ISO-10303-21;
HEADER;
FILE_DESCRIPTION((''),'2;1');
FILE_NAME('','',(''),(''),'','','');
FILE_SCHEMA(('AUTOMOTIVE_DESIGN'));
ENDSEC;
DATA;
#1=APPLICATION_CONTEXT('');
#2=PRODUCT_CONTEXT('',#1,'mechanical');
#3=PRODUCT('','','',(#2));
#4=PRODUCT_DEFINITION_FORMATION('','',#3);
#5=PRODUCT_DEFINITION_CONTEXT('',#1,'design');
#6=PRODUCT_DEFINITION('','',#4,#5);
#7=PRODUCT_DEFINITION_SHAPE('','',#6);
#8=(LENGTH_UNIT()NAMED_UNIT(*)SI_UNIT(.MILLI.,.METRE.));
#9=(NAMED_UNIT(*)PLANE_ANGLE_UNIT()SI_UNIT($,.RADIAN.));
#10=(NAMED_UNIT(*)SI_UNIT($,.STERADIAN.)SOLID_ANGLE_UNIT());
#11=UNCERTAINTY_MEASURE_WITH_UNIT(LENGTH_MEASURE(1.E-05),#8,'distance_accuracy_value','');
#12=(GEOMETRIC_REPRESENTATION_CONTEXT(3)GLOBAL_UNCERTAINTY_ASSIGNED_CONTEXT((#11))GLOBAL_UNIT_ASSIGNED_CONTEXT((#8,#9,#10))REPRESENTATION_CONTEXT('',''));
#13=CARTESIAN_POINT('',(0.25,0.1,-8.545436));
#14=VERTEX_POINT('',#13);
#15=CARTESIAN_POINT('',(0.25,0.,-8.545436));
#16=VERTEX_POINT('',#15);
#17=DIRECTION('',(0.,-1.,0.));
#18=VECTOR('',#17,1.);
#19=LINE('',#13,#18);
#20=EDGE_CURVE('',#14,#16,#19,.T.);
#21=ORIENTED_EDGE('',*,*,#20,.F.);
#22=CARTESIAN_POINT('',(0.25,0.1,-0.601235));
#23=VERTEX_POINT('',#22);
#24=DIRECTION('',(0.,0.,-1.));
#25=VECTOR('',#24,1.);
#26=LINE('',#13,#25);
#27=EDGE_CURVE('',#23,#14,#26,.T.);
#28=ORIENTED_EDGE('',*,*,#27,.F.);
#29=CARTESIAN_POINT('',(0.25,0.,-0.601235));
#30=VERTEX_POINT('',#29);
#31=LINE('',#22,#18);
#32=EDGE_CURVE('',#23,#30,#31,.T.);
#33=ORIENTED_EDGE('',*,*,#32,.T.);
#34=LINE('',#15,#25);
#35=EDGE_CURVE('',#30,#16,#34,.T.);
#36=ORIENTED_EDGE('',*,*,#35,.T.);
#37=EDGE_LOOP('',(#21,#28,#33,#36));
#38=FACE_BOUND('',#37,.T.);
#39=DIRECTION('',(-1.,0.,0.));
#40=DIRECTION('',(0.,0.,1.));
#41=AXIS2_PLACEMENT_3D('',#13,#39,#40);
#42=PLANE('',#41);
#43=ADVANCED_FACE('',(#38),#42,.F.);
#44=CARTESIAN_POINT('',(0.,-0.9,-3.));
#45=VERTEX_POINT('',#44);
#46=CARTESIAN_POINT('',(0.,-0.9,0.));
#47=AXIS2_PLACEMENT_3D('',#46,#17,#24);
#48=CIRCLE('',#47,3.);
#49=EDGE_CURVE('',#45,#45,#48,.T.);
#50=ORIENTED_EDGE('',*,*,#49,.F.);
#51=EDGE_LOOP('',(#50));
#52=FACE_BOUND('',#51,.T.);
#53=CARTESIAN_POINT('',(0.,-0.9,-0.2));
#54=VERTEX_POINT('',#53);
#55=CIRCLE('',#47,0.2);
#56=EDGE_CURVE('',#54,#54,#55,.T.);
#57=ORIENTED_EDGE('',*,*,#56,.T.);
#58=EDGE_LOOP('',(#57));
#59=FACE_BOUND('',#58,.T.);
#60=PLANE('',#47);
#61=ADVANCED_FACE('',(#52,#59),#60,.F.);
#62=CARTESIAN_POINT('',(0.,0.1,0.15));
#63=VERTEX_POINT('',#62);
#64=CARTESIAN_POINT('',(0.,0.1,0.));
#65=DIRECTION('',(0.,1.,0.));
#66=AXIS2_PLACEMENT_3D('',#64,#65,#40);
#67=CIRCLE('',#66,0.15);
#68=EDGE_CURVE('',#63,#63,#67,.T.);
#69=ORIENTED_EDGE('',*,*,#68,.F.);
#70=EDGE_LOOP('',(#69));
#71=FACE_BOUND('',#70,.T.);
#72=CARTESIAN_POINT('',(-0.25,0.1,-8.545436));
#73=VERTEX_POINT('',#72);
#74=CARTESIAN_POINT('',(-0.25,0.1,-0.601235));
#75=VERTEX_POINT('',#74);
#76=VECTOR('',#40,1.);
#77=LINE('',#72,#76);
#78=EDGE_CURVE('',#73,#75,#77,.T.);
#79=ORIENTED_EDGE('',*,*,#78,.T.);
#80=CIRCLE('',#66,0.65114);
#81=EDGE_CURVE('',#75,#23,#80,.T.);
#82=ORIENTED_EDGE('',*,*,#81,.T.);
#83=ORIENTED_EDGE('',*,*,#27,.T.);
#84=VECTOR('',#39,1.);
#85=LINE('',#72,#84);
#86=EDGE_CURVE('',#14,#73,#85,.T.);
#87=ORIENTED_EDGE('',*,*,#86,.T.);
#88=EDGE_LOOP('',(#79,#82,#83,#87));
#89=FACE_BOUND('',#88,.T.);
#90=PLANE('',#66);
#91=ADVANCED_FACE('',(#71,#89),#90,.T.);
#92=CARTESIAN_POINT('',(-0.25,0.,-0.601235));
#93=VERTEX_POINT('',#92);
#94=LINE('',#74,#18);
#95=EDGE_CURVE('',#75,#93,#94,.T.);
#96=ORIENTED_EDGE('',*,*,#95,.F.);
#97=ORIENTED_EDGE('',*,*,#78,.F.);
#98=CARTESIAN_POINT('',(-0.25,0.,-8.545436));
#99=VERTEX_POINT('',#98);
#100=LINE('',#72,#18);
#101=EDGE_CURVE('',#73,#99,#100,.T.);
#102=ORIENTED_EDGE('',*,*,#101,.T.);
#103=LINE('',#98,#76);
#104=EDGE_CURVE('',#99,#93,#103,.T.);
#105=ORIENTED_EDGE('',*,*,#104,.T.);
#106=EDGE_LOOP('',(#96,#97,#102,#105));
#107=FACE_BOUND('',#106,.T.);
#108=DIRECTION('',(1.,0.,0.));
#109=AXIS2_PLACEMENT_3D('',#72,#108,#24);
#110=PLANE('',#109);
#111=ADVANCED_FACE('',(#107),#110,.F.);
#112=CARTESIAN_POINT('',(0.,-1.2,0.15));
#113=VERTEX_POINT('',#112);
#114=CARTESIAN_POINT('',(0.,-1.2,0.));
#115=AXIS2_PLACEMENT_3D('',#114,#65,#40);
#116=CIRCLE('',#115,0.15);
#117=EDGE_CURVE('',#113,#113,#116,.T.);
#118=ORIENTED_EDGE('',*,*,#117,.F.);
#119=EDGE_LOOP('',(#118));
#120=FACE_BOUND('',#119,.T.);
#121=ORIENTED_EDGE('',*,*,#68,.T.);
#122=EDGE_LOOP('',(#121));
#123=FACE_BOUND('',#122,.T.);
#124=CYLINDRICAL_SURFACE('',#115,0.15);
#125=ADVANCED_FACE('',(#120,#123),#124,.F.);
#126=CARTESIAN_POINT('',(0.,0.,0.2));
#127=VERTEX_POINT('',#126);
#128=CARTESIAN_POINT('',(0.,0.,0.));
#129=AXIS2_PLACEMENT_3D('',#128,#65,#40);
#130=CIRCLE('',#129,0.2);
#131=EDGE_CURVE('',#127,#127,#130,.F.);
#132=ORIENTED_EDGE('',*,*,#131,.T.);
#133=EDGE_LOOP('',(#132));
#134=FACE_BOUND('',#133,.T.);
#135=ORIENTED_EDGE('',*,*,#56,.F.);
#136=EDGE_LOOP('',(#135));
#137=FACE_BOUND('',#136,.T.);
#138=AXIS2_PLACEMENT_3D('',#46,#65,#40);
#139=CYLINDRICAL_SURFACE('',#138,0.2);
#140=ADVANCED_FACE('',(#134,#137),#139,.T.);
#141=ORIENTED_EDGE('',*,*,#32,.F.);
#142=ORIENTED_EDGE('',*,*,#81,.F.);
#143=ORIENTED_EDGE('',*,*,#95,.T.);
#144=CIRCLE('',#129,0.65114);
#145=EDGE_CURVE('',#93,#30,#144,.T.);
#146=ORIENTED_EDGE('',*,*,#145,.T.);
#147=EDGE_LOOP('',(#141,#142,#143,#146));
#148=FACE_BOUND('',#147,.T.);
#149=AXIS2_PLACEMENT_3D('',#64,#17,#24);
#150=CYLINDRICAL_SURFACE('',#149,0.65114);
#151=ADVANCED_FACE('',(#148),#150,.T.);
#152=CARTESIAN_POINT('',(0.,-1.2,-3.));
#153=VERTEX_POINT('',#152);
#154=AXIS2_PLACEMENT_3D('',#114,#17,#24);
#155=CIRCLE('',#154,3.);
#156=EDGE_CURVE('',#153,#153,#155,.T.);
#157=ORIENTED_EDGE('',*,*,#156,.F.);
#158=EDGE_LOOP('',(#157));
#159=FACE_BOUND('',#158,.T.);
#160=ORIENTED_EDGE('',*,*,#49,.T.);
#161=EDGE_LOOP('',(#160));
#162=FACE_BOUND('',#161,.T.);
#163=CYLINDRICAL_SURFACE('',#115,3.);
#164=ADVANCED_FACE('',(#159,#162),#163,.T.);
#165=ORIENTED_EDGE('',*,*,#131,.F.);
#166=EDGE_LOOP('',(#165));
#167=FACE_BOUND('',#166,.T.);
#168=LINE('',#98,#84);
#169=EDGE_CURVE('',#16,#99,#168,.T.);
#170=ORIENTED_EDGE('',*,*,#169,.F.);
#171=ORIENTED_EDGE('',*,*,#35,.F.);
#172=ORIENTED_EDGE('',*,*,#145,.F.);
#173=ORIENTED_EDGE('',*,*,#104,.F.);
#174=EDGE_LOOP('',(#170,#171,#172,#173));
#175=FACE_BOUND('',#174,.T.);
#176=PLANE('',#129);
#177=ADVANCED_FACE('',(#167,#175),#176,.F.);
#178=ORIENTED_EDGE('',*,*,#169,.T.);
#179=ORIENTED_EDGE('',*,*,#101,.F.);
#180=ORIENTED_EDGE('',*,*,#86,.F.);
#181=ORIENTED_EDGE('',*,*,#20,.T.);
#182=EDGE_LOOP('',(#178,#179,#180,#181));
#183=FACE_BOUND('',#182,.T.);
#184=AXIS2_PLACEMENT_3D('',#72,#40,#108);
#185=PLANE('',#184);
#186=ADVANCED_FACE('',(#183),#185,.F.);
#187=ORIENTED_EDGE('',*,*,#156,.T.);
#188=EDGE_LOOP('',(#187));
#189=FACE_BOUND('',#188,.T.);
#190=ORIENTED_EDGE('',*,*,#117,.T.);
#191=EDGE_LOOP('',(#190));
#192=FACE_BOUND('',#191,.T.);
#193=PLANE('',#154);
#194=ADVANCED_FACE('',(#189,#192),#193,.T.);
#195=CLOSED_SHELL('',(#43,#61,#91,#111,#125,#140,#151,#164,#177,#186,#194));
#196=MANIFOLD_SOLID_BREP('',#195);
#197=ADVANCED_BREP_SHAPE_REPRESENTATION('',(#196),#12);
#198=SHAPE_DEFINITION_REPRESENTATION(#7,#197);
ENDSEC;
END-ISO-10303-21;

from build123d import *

# Parameters (mm, degrees)
BOSS_EXTRUDE1_DEPTH = 0.1
SKETCH2_R           = 0.2
BOSS_EXTRUDE2_DEPTH = 1
SKETCH3_R           = 3
BOSS_EXTRUDE3_DEPTH = 0.3
SKETCH4_R           = 0.15
CUT_EXTRUDE1_DEPTH  = 2.3


with BuildPart() as part:
    # Sketch1 → Boss-Extrude1 (new body)
    with BuildSketch(Plane(origin=(0, 0, 0), x_dir=(1, 0, 0), z_dir=(0, 1, 0))):
        with BuildLine():
            Line((-0.25, 8.545435606), (0.25, 8.545435606))
            Line((0.25, 8.545435606), (0.25, 0.601234649))
            ThreePointArc((0.25, 0.601234649), (0, -0.651139849), (-0.25, 0.601234649))
            Line((-0.25, 0.601234649), (-0.25, 8.545435606))
        make_face()
    extrude(amount=BOSS_EXTRUDE1_DEPTH)

    # Sketch2 → Boss-Extrude2 (add)
    with BuildSketch(Plane.XZ.offset(-0.1)):
        Circle(SKETCH2_R)
    extrude(amount=BOSS_EXTRUDE2_DEPTH)

    # Sketch3 → Boss-Extrude3 (add)
    with BuildSketch(Plane.XZ.offset(0.9)):
        Circle(SKETCH3_R)
    extrude(amount=BOSS_EXTRUDE3_DEPTH)

    # Sketch4 → Cut-Extrude1 (cut, through all)
    with BuildSketch(Plane(origin=(0, 0.1, 0), x_dir=(1, 0, 0), z_dir=(0, 1, 0))):
        Circle(SKETCH4_R)
    extrude(amount=-CUT_EXTRUDE1_DEPTH, mode=Mode.SUBTRACT)


solid = part.part
